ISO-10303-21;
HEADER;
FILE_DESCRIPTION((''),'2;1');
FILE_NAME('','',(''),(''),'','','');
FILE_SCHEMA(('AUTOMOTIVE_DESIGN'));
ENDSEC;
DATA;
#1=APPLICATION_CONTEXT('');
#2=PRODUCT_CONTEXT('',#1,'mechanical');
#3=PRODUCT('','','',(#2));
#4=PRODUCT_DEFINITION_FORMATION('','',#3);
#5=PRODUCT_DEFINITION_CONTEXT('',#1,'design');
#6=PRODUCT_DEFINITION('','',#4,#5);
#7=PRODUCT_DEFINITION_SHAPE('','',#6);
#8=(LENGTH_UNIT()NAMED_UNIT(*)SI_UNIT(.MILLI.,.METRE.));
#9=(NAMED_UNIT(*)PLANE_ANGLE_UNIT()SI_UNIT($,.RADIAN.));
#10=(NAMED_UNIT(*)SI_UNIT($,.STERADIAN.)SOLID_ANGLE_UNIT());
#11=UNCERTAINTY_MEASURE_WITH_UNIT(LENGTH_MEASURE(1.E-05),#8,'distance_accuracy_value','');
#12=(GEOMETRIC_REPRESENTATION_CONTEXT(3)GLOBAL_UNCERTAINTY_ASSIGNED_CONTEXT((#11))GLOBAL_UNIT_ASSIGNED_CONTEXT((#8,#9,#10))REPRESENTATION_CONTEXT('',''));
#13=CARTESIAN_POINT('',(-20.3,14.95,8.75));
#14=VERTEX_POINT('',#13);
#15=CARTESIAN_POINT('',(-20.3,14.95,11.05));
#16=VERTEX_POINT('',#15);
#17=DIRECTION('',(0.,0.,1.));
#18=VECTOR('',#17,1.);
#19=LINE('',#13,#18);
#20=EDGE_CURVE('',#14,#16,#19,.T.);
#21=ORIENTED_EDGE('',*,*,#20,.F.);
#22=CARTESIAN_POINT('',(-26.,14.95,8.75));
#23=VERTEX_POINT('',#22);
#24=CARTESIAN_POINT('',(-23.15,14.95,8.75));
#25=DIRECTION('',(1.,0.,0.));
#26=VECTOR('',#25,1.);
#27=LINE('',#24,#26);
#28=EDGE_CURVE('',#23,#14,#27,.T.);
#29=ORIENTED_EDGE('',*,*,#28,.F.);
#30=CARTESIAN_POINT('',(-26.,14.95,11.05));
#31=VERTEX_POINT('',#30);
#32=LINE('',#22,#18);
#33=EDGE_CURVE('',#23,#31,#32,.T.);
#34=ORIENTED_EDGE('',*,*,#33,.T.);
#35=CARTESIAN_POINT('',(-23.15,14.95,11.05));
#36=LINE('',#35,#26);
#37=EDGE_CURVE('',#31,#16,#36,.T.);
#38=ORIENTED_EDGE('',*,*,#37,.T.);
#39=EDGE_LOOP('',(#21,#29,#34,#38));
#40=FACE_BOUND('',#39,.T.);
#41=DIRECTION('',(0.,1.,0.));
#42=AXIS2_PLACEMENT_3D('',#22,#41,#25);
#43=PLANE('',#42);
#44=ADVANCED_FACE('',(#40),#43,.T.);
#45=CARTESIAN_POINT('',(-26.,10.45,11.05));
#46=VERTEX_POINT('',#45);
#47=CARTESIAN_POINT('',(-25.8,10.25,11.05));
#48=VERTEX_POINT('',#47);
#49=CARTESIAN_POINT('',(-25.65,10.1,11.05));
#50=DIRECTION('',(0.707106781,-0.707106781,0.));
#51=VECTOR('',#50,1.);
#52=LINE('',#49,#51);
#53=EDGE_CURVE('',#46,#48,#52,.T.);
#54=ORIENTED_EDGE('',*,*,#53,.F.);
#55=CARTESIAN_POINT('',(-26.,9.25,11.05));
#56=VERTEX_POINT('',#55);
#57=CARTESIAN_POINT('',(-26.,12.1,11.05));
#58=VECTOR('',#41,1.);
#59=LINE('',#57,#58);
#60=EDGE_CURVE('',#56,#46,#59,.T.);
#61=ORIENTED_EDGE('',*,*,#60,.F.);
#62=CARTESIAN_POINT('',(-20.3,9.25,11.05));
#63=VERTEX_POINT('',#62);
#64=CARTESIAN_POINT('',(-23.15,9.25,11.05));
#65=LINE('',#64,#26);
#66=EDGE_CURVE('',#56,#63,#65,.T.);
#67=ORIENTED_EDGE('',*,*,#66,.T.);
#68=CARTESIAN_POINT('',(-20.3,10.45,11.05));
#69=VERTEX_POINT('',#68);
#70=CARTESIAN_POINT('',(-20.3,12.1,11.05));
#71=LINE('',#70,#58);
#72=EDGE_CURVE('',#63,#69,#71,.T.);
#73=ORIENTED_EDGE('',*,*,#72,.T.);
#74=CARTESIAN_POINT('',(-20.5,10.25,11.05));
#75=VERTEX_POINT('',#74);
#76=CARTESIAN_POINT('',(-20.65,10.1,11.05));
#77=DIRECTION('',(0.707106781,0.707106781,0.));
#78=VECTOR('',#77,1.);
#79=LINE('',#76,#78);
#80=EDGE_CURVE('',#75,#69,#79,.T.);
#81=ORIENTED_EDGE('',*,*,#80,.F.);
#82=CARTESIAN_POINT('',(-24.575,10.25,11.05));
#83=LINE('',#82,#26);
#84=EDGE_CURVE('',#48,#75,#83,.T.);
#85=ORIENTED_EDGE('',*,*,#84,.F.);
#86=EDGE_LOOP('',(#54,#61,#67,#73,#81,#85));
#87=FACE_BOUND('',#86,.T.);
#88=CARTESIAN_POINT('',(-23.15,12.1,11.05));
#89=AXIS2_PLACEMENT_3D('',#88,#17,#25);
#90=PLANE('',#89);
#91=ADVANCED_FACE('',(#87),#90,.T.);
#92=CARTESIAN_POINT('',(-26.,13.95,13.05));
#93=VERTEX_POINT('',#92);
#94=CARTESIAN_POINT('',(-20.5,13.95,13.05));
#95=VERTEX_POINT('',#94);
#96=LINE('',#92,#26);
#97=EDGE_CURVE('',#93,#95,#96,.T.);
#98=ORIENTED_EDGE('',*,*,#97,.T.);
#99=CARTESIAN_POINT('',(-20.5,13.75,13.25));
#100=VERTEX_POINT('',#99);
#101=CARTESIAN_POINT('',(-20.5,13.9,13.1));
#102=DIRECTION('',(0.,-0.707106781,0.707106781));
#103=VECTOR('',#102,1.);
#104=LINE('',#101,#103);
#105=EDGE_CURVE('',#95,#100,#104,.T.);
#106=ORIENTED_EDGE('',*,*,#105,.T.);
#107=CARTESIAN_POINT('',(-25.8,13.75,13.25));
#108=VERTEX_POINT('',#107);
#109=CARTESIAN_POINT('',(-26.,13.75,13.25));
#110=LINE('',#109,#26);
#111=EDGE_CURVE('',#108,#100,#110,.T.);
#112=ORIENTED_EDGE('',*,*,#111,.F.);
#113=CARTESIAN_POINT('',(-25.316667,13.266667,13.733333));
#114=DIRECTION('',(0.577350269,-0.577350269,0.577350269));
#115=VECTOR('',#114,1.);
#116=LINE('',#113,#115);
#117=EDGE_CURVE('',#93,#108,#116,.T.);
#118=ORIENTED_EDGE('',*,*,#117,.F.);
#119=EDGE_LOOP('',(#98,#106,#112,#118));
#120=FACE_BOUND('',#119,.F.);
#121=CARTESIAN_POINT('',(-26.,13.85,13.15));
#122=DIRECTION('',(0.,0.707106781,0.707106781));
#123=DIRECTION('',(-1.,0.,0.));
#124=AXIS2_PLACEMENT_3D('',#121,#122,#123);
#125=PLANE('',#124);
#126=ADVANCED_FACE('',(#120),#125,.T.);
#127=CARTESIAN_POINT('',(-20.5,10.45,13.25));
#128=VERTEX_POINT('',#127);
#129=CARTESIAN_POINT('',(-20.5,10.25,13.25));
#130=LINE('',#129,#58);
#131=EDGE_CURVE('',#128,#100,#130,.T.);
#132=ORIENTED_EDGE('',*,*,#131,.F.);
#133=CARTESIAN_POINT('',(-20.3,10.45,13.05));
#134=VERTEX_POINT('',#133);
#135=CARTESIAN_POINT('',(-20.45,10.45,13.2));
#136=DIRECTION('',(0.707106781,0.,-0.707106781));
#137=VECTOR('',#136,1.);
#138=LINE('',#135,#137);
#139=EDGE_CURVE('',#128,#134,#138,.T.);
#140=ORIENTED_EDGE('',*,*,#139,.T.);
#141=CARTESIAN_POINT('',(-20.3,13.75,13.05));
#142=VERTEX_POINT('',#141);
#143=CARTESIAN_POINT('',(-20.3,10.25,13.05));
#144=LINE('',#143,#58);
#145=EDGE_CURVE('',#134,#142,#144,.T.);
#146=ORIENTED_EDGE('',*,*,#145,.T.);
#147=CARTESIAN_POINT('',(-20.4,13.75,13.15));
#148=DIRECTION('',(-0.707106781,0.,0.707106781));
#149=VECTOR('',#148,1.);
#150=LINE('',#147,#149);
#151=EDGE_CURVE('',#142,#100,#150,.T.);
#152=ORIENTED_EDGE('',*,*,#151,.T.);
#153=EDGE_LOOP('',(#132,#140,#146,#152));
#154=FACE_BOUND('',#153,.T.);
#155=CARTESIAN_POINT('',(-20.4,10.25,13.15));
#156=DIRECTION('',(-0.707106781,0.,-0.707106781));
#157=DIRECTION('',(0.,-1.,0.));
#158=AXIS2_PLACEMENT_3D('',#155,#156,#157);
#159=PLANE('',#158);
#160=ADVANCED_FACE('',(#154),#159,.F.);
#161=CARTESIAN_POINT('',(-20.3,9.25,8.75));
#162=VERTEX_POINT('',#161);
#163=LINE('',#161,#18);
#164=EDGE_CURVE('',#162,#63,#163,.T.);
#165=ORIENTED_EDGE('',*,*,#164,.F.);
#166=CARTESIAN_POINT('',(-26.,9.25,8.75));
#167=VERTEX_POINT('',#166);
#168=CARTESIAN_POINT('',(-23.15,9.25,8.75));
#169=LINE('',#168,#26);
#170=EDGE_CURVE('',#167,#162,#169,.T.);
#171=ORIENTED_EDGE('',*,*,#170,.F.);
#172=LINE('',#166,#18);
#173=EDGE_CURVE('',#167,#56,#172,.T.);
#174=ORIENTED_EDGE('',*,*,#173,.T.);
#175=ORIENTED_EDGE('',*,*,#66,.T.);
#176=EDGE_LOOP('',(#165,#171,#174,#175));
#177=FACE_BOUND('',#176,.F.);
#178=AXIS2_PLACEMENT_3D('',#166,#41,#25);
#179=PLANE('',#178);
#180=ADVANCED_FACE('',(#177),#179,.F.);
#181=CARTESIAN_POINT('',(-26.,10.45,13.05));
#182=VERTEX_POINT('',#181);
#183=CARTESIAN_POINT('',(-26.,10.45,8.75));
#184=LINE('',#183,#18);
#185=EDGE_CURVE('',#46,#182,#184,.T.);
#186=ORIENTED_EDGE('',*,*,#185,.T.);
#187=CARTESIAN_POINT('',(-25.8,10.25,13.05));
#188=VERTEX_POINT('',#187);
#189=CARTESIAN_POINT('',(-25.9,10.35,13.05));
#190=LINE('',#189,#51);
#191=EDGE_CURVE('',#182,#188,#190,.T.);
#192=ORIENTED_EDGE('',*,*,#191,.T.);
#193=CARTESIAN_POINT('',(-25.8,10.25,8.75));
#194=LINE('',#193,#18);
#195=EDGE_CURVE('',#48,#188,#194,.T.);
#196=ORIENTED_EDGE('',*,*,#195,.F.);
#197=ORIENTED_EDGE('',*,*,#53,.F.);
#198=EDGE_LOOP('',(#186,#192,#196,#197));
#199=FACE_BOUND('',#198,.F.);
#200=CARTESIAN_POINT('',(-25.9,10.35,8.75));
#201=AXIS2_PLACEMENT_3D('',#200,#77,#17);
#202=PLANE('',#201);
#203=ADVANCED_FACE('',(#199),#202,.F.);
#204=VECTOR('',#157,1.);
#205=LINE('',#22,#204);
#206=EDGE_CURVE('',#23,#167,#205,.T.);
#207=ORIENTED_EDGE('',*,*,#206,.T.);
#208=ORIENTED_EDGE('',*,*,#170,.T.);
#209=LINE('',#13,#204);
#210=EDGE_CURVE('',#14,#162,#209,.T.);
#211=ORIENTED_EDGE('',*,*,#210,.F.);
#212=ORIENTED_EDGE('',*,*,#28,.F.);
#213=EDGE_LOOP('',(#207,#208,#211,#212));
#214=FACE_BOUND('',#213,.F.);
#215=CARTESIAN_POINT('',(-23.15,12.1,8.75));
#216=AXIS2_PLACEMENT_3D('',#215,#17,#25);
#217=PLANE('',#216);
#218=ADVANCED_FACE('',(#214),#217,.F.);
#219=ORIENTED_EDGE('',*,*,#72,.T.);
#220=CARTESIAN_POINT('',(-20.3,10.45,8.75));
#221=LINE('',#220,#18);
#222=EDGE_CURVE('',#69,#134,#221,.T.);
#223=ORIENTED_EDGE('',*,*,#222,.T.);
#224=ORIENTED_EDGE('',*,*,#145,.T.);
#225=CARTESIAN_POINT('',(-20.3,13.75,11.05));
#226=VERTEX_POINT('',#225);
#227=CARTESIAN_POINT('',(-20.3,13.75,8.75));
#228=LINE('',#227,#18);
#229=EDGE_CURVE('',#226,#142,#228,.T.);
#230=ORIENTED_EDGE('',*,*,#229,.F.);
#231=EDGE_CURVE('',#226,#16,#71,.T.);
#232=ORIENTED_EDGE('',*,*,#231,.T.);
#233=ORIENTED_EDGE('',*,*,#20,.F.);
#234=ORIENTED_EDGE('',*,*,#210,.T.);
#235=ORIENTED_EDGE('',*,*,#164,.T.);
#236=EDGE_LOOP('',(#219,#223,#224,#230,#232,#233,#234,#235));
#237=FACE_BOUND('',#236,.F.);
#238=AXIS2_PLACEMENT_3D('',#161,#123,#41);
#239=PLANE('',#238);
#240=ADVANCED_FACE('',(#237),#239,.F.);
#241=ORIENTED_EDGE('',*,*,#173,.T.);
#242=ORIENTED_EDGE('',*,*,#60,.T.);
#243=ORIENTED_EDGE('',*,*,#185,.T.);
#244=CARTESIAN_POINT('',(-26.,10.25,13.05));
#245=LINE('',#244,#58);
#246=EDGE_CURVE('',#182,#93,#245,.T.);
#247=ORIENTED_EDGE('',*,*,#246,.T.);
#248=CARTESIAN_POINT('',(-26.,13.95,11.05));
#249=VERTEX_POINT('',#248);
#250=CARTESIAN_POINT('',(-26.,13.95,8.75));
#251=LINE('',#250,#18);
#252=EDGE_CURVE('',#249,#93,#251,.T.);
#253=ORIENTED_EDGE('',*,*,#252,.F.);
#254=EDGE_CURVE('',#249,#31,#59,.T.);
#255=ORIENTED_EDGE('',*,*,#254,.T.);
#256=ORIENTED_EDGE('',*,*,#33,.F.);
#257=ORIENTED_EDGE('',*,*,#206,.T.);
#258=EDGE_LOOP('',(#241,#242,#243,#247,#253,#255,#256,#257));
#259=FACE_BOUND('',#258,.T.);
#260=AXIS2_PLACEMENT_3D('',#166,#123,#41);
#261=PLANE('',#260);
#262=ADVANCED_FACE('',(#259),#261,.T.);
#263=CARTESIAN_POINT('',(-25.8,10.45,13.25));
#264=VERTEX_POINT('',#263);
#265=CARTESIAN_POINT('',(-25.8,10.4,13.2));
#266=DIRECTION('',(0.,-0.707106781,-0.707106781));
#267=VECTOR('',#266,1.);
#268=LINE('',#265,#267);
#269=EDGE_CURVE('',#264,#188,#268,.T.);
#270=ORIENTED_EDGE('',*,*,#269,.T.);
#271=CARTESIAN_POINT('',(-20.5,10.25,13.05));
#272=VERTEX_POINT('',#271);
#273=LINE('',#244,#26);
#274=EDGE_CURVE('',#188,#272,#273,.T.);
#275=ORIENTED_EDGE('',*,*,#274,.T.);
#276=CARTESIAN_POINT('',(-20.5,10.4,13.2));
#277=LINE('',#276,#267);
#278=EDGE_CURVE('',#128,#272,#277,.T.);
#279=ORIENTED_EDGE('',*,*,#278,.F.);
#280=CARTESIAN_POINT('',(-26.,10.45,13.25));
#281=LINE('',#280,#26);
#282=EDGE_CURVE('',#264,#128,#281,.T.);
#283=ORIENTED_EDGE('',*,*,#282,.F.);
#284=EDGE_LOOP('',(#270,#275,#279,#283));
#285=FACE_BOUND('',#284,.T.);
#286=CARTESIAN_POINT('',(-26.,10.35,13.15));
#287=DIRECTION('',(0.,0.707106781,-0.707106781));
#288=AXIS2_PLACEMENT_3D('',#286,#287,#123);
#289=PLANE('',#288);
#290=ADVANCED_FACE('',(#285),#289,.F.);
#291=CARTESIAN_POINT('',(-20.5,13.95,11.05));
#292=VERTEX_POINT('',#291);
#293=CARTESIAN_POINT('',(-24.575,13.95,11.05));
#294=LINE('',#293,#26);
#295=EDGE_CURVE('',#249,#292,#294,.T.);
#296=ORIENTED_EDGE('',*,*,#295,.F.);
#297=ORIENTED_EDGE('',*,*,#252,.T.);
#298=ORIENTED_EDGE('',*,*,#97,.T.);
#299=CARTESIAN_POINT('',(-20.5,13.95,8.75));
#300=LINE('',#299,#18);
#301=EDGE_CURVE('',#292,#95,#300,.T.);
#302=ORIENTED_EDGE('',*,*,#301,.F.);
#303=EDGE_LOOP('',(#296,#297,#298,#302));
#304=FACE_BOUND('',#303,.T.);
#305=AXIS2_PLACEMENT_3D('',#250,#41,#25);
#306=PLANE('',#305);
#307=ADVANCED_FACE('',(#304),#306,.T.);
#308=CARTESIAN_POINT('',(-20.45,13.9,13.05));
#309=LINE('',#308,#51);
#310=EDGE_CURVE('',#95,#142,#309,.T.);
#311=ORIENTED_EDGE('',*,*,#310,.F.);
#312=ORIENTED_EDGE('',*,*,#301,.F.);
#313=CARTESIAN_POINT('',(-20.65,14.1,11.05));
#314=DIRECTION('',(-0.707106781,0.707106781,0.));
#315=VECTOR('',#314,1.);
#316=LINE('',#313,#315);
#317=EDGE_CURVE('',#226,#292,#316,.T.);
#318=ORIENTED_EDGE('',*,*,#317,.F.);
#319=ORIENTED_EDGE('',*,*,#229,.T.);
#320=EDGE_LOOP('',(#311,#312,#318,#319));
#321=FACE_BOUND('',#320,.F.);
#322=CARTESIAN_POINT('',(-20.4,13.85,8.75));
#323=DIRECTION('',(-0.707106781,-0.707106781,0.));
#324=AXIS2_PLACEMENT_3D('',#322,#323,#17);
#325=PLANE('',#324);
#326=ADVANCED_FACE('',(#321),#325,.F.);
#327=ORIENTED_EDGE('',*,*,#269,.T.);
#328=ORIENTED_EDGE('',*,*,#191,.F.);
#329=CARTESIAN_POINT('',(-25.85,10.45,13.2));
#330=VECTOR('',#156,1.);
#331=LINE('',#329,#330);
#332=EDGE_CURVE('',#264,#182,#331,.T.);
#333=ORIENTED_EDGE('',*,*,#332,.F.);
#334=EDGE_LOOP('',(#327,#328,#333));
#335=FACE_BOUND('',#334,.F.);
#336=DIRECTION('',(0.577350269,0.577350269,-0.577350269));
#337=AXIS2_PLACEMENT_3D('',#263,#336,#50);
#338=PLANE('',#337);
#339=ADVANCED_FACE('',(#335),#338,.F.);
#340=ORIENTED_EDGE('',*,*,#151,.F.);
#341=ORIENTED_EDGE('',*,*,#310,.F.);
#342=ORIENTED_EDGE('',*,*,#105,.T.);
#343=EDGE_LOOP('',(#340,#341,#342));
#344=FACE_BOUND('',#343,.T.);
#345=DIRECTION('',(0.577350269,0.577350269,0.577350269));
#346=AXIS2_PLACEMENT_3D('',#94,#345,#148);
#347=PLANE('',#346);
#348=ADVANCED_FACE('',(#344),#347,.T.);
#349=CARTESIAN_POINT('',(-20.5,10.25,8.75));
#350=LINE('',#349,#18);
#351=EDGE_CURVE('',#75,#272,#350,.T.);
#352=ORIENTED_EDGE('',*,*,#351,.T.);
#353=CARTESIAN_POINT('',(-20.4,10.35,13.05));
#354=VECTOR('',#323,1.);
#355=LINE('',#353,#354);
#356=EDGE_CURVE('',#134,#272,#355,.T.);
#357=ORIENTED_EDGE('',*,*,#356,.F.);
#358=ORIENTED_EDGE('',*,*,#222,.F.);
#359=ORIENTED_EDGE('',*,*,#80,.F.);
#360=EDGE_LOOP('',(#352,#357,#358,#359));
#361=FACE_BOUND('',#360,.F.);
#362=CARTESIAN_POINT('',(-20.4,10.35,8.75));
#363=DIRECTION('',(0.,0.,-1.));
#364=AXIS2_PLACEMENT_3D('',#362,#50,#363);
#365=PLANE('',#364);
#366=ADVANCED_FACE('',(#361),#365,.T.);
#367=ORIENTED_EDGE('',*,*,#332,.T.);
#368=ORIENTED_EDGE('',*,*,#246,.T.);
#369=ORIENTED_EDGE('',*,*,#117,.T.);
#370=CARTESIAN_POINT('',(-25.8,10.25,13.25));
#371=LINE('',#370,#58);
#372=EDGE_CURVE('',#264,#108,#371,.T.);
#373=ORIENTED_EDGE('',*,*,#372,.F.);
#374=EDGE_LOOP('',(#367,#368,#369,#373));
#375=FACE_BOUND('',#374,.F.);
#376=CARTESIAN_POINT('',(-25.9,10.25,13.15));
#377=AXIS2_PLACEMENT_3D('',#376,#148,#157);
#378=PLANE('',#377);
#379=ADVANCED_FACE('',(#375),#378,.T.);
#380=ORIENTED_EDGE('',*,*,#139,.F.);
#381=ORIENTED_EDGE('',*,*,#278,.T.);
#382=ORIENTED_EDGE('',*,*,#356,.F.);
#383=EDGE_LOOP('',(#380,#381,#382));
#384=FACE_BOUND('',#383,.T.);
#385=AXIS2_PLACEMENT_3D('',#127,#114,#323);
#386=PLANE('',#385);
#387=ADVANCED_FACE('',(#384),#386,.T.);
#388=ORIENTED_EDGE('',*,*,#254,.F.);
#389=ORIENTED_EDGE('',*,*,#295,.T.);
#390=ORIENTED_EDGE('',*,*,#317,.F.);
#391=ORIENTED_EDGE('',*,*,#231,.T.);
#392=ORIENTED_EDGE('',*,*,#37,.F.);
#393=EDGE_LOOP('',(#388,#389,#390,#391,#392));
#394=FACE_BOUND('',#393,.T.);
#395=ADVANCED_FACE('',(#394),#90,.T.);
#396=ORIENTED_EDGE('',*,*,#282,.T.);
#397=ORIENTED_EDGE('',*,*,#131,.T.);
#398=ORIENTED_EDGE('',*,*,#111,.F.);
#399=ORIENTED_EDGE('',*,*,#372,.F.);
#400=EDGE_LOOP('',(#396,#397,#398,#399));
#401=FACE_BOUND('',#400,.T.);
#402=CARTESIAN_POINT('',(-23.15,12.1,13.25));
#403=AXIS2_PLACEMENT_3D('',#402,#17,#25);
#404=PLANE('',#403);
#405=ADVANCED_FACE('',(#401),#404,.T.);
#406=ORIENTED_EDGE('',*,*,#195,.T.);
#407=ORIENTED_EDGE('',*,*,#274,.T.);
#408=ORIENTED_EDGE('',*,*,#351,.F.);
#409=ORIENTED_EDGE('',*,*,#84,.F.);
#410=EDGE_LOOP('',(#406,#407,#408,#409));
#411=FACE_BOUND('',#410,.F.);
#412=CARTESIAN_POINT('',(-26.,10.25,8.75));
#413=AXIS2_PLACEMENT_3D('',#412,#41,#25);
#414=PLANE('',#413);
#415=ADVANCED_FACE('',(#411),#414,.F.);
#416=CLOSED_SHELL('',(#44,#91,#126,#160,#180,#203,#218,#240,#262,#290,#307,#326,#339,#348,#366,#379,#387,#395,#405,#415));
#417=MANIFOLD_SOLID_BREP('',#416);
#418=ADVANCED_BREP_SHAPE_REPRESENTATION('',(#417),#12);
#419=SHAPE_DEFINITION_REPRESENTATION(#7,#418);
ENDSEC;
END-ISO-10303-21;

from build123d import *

# Parameters (mm, degrees)
BOX029_W        = 5.7
BOX029_H        = 5.7
BOX029_DEPTH    = 2.3
BOX028_W        = 5.7
BOX028_H        = 3.7
BOX028_DEPTH    = 4.5
CHAMFER012_SIZE = 0.2


with BuildPart() as cube029:
    # Box029 → Box029 (new body)
    with BuildSketch(Plane(origin=(0, -1, 0), x_dir=(1, 0, 0), z_dir=(0, 0, 1))):
        with Locations((2.85, 2.85)):
            Rectangle(BOX029_W, BOX029_H)
    extrude(amount=BOX029_DEPTH)


with BuildPart() as btn:
    # Box028 → Box028 (new body)
    with BuildSketch(Plane.XY):
        with Locations((2.85, 1.85)):
            Rectangle(BOX028_W, BOX028_H)
    extrude(amount=BOX028_DEPTH)

    # Chamfer012
    chamfer012_edges = [btn.edges().sort_by_distance(p)[0] for p in [
        (0, 0, 2.25),
        (0, 1.85, 4.5),
        (5.7, 0, 2.25),
        (5.7, 1.85, 4.5),
        (5.7, 3.7, 2.25),
        (2.85, 0, 4.5),
        (2.85, 3.7, 4.5),
    ]]
    chamfer(chamfer012_edges, length=CHAMFER012_SIZE)

    # Fusion003007006013: union Cube029
    add(cube029.part)


with BuildPart() as btn_1:
    # Fusion003007006013 placement: moved
    add(btn.part.moved(Location((-26, 10.25, 8.75))))


solid = btn_1.part
